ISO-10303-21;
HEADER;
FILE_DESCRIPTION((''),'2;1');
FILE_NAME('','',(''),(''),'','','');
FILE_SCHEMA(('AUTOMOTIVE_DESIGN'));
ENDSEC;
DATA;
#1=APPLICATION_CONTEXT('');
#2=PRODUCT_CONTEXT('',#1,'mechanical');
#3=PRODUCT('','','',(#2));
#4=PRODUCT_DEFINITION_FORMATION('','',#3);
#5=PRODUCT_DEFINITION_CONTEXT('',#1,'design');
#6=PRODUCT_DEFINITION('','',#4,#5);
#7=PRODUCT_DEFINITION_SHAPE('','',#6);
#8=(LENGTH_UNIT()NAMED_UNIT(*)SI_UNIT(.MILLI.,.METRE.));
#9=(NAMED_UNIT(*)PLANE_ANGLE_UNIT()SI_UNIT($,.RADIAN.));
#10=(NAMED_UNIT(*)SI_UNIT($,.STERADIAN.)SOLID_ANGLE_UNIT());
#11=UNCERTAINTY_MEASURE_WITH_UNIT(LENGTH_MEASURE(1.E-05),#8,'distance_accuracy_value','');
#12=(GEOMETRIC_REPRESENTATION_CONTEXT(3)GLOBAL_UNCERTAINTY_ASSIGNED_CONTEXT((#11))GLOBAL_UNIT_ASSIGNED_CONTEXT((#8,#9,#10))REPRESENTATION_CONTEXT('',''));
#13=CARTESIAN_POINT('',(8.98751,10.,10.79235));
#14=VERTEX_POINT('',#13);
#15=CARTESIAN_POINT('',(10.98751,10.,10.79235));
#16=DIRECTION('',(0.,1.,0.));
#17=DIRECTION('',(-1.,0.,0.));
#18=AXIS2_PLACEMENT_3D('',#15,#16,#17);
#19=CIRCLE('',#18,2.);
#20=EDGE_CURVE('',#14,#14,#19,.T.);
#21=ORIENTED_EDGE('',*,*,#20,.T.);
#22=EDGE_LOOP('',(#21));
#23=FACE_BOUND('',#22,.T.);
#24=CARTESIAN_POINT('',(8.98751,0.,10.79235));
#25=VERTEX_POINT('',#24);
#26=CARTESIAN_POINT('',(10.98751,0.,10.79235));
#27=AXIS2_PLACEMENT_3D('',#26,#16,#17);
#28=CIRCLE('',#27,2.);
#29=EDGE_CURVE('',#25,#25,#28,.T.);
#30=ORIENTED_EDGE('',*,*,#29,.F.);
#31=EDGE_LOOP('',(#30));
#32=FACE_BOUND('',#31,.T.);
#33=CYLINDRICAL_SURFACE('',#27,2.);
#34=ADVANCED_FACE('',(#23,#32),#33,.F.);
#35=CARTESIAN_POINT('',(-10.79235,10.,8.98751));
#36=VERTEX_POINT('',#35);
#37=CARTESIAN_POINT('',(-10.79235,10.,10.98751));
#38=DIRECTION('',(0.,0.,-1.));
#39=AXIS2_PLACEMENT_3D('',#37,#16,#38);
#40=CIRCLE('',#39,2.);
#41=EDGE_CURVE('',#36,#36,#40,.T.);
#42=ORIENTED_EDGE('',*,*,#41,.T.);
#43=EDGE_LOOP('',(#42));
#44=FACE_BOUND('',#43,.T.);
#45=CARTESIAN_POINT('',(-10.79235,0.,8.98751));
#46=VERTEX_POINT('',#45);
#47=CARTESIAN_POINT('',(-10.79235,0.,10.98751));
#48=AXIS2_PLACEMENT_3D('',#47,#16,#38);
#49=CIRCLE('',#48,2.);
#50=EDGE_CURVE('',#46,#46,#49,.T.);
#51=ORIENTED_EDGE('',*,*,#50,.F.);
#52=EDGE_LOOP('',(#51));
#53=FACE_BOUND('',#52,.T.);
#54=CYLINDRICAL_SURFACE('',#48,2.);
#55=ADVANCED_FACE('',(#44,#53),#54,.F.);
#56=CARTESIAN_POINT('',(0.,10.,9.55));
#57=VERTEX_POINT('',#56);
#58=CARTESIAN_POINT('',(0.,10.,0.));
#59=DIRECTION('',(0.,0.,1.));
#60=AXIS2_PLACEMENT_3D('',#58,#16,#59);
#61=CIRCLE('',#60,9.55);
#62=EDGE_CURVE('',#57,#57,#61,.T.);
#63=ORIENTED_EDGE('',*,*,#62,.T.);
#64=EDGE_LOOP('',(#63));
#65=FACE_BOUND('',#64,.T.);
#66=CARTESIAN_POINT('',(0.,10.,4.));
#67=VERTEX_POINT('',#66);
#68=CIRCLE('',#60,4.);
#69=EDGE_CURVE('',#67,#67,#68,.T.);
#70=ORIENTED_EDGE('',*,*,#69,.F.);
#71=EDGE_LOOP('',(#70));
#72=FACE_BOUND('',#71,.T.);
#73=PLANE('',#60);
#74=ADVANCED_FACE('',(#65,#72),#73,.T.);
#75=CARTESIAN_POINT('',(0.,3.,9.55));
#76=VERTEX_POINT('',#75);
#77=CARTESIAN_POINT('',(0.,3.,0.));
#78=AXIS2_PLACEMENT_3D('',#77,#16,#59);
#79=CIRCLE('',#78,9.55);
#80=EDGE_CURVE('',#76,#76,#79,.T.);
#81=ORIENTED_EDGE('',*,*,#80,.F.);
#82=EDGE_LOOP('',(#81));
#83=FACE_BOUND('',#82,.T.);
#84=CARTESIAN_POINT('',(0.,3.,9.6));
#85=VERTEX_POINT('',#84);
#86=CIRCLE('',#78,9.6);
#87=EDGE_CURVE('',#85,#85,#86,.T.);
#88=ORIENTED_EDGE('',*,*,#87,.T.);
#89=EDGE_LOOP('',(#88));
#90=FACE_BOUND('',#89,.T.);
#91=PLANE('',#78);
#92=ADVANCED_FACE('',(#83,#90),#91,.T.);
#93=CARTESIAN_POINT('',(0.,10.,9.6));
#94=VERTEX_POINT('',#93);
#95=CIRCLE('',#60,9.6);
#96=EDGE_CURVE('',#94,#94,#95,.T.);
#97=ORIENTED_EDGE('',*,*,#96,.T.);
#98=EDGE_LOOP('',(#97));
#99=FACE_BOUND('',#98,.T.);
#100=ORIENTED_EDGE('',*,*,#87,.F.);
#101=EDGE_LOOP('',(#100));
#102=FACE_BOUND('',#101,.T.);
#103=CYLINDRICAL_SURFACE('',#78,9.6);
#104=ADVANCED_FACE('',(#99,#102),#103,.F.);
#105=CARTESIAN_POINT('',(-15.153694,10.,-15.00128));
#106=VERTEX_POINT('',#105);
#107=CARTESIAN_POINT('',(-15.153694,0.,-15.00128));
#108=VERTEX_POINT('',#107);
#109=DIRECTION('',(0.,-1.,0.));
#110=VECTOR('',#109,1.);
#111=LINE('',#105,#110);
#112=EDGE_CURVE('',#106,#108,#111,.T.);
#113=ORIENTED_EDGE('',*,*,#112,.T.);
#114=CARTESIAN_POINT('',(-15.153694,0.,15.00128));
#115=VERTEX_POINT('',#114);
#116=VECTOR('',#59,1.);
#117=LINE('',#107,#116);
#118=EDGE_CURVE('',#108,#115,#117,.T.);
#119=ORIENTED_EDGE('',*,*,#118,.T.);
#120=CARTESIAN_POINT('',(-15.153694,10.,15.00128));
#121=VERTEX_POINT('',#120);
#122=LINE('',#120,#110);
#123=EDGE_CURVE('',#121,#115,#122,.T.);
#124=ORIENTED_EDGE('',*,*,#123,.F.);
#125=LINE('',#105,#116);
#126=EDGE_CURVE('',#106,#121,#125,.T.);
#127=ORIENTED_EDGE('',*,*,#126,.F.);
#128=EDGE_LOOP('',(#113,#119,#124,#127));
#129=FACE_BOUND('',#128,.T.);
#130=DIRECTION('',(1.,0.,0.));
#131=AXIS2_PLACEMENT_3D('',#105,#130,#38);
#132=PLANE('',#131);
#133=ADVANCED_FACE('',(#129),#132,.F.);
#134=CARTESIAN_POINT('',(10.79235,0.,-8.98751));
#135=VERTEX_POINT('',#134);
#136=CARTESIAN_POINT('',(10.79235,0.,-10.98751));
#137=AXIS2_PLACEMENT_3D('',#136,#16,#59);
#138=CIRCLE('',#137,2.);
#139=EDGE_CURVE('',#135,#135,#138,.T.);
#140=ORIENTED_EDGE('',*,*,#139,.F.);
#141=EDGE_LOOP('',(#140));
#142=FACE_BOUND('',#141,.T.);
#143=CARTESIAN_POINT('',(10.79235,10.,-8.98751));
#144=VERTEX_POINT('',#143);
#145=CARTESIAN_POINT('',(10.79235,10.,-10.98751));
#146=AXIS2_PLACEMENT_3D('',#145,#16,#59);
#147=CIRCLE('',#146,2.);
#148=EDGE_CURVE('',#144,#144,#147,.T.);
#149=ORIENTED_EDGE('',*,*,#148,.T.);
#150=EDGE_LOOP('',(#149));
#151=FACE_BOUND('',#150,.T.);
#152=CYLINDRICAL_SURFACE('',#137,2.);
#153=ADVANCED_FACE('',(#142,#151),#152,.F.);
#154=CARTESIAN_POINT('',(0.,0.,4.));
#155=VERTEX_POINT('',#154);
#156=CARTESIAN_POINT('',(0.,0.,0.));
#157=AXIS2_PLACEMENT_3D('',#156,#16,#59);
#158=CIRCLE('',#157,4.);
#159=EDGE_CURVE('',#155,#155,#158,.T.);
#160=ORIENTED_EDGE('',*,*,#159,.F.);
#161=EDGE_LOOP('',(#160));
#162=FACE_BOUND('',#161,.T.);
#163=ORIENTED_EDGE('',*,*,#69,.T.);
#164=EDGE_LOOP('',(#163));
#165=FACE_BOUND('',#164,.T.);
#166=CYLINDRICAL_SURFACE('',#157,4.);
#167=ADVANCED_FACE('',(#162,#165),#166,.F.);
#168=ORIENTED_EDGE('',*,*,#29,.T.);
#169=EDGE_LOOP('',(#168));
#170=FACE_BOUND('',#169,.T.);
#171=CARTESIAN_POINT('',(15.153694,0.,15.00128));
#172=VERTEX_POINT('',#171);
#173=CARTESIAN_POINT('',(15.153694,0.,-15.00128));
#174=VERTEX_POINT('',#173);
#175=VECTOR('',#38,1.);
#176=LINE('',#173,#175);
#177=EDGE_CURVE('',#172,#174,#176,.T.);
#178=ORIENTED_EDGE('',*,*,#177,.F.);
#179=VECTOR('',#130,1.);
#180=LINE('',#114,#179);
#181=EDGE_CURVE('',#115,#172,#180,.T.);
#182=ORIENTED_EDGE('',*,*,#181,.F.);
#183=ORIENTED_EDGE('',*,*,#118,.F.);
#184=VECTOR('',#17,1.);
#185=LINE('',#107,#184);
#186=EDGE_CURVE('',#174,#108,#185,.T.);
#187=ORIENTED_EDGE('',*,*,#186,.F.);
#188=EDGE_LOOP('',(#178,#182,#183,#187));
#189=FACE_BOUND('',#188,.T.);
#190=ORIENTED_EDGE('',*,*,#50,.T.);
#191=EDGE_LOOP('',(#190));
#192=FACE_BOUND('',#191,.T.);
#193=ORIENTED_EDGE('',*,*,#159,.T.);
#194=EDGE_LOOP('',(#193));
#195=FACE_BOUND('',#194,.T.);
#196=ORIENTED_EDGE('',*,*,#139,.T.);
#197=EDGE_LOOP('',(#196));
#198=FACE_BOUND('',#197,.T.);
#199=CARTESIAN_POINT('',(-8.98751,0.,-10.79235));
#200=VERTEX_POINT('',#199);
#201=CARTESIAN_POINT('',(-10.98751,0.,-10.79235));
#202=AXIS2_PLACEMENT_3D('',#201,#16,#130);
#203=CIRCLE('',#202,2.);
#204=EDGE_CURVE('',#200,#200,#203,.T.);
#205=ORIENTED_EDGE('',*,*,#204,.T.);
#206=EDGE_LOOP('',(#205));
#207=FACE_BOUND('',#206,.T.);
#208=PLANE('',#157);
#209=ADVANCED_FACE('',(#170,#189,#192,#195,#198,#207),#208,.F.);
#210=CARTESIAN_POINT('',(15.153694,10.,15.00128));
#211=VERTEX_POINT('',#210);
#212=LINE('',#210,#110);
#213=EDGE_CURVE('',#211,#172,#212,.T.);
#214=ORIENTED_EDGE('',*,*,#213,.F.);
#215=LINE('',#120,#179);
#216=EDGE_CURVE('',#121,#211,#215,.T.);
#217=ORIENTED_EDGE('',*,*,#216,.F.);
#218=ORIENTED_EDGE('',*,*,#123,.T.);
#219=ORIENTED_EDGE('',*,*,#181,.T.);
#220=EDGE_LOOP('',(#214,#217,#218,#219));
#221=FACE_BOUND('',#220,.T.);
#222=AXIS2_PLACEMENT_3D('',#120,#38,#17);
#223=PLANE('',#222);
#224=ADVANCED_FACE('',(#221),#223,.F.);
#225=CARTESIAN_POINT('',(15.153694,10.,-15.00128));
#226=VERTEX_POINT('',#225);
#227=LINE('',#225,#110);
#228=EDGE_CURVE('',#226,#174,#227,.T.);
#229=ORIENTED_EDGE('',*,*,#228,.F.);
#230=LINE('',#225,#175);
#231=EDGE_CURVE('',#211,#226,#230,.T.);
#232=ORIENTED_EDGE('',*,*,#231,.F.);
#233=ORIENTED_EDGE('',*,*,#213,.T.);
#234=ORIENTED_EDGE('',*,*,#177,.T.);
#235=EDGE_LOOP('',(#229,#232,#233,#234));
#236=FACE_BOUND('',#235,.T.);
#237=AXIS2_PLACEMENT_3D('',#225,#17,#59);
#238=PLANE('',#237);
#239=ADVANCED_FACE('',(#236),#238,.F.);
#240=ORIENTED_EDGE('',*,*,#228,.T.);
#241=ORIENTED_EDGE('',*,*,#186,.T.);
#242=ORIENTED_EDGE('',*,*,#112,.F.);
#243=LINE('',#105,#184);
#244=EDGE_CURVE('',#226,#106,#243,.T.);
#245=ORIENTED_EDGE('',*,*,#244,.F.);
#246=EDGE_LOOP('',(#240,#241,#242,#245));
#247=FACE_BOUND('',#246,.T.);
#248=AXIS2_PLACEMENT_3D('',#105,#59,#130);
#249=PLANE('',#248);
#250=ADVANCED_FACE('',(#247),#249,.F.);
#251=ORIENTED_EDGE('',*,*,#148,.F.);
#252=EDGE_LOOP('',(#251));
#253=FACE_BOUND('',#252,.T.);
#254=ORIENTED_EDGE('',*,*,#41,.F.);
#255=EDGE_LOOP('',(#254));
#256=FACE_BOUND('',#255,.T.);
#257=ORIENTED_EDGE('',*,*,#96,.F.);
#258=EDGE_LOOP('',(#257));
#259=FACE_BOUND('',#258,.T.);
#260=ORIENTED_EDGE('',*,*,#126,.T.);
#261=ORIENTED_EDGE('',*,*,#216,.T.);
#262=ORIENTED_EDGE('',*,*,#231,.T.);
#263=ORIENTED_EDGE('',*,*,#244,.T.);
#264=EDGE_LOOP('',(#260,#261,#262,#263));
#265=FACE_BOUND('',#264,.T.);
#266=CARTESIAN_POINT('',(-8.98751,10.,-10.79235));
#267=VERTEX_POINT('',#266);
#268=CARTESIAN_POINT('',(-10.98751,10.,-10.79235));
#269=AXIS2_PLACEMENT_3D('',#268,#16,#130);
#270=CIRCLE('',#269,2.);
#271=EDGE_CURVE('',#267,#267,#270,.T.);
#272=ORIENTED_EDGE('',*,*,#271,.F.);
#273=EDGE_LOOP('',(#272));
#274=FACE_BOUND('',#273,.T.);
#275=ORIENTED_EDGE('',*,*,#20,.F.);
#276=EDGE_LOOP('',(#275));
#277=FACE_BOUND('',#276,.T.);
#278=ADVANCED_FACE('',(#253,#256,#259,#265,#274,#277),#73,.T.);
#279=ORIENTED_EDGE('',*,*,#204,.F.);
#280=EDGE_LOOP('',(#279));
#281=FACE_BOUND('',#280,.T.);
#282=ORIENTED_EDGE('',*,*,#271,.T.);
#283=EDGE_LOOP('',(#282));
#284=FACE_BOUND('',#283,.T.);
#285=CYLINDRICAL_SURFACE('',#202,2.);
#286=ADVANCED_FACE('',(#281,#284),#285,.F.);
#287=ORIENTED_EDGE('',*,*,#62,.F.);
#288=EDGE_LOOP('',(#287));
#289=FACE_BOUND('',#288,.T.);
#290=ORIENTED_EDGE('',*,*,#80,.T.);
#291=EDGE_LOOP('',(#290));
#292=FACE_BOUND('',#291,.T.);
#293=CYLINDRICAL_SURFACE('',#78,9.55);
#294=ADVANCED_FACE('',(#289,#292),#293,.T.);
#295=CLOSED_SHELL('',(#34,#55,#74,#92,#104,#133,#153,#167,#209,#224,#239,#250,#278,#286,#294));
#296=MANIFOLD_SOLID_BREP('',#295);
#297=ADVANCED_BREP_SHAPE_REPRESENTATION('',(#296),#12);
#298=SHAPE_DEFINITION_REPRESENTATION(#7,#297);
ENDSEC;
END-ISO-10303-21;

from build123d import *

# Parameters (mm, degrees)
SKETCH1_W           = 30.30738701
SKETCH1_H           = 30.002560534
BOSS_EXTRUDE1_DEPTH = 10
SKETCH2_R           = 9.6
SKETCH2_R_2         = 9.55
CUT_EXTRUDE1_DEPTH  = 7
SKETCH3_R           = 4
CUT_EXTRUDE2_DEPTH  = 10
SKETCH4_R           = 2
CUT_EXTRUDE3_DEPTH  = 10
CIRPATTERN1_COUNT   = 4


with BuildPart() as part:
    # Sketch1 → Boss-Extrude1 (new body)
    with BuildSketch(Plane(origin=(0, 0, 0), x_dir=(1, 0, 0), z_dir=(0, 1, 0))):
        Rectangle(SKETCH1_W, SKETCH1_H)
    extrude(amount=BOSS_EXTRUDE1_DEPTH)

    # Sketch2 → Cut-Extrude1 (cut)
    with BuildSketch(Plane(origin=(0, 10, 0), x_dir=(1, 0, 0), z_dir=(0, 1, 0))):
        Circle(SKETCH2_R)
        Circle(SKETCH2_R_2, mode=Mode.SUBTRACT)
    extrude(amount=-CUT_EXTRUDE1_DEPTH, mode=Mode.SUBTRACT)

    # Sketch3 → Cut-Extrude2 (cut)
    with BuildSketch(Plane(origin=(0, 10, 0), x_dir=(1, 0, 0), z_dir=(0, 1, 0))):
        Circle(SKETCH3_R)
    extrude(amount=-CUT_EXTRUDE2_DEPTH, mode=Mode.SUBTRACT)

    # Sketch4 → Cut-Extrude3 (cut)
    with BuildSketch(Plane(origin=(0, 10, 0), x_dir=(1, 0, 0), z_dir=(0, 1, 0))):
        with Locations((10.792349727, 10.987509758)):
            Circle(SKETCH4_R)
    cut_extrude3 = extrude(amount=-CUT_EXTRUDE3_DEPTH, mode=Mode.SUBTRACT)

    # CirPattern1: Cut-Extrude3 ×4 about axis
    cirpattern1_axis = Axis((0, 0, 0), (0, 1, 0))
    for i in range(1, CIRPATTERN1_COUNT):
        add(cut_extrude3.rotate(cirpattern1_axis, i * 360 / CIRPATTERN1_COUNT), mode=Mode.SUBTRACT)


solid = part.part
